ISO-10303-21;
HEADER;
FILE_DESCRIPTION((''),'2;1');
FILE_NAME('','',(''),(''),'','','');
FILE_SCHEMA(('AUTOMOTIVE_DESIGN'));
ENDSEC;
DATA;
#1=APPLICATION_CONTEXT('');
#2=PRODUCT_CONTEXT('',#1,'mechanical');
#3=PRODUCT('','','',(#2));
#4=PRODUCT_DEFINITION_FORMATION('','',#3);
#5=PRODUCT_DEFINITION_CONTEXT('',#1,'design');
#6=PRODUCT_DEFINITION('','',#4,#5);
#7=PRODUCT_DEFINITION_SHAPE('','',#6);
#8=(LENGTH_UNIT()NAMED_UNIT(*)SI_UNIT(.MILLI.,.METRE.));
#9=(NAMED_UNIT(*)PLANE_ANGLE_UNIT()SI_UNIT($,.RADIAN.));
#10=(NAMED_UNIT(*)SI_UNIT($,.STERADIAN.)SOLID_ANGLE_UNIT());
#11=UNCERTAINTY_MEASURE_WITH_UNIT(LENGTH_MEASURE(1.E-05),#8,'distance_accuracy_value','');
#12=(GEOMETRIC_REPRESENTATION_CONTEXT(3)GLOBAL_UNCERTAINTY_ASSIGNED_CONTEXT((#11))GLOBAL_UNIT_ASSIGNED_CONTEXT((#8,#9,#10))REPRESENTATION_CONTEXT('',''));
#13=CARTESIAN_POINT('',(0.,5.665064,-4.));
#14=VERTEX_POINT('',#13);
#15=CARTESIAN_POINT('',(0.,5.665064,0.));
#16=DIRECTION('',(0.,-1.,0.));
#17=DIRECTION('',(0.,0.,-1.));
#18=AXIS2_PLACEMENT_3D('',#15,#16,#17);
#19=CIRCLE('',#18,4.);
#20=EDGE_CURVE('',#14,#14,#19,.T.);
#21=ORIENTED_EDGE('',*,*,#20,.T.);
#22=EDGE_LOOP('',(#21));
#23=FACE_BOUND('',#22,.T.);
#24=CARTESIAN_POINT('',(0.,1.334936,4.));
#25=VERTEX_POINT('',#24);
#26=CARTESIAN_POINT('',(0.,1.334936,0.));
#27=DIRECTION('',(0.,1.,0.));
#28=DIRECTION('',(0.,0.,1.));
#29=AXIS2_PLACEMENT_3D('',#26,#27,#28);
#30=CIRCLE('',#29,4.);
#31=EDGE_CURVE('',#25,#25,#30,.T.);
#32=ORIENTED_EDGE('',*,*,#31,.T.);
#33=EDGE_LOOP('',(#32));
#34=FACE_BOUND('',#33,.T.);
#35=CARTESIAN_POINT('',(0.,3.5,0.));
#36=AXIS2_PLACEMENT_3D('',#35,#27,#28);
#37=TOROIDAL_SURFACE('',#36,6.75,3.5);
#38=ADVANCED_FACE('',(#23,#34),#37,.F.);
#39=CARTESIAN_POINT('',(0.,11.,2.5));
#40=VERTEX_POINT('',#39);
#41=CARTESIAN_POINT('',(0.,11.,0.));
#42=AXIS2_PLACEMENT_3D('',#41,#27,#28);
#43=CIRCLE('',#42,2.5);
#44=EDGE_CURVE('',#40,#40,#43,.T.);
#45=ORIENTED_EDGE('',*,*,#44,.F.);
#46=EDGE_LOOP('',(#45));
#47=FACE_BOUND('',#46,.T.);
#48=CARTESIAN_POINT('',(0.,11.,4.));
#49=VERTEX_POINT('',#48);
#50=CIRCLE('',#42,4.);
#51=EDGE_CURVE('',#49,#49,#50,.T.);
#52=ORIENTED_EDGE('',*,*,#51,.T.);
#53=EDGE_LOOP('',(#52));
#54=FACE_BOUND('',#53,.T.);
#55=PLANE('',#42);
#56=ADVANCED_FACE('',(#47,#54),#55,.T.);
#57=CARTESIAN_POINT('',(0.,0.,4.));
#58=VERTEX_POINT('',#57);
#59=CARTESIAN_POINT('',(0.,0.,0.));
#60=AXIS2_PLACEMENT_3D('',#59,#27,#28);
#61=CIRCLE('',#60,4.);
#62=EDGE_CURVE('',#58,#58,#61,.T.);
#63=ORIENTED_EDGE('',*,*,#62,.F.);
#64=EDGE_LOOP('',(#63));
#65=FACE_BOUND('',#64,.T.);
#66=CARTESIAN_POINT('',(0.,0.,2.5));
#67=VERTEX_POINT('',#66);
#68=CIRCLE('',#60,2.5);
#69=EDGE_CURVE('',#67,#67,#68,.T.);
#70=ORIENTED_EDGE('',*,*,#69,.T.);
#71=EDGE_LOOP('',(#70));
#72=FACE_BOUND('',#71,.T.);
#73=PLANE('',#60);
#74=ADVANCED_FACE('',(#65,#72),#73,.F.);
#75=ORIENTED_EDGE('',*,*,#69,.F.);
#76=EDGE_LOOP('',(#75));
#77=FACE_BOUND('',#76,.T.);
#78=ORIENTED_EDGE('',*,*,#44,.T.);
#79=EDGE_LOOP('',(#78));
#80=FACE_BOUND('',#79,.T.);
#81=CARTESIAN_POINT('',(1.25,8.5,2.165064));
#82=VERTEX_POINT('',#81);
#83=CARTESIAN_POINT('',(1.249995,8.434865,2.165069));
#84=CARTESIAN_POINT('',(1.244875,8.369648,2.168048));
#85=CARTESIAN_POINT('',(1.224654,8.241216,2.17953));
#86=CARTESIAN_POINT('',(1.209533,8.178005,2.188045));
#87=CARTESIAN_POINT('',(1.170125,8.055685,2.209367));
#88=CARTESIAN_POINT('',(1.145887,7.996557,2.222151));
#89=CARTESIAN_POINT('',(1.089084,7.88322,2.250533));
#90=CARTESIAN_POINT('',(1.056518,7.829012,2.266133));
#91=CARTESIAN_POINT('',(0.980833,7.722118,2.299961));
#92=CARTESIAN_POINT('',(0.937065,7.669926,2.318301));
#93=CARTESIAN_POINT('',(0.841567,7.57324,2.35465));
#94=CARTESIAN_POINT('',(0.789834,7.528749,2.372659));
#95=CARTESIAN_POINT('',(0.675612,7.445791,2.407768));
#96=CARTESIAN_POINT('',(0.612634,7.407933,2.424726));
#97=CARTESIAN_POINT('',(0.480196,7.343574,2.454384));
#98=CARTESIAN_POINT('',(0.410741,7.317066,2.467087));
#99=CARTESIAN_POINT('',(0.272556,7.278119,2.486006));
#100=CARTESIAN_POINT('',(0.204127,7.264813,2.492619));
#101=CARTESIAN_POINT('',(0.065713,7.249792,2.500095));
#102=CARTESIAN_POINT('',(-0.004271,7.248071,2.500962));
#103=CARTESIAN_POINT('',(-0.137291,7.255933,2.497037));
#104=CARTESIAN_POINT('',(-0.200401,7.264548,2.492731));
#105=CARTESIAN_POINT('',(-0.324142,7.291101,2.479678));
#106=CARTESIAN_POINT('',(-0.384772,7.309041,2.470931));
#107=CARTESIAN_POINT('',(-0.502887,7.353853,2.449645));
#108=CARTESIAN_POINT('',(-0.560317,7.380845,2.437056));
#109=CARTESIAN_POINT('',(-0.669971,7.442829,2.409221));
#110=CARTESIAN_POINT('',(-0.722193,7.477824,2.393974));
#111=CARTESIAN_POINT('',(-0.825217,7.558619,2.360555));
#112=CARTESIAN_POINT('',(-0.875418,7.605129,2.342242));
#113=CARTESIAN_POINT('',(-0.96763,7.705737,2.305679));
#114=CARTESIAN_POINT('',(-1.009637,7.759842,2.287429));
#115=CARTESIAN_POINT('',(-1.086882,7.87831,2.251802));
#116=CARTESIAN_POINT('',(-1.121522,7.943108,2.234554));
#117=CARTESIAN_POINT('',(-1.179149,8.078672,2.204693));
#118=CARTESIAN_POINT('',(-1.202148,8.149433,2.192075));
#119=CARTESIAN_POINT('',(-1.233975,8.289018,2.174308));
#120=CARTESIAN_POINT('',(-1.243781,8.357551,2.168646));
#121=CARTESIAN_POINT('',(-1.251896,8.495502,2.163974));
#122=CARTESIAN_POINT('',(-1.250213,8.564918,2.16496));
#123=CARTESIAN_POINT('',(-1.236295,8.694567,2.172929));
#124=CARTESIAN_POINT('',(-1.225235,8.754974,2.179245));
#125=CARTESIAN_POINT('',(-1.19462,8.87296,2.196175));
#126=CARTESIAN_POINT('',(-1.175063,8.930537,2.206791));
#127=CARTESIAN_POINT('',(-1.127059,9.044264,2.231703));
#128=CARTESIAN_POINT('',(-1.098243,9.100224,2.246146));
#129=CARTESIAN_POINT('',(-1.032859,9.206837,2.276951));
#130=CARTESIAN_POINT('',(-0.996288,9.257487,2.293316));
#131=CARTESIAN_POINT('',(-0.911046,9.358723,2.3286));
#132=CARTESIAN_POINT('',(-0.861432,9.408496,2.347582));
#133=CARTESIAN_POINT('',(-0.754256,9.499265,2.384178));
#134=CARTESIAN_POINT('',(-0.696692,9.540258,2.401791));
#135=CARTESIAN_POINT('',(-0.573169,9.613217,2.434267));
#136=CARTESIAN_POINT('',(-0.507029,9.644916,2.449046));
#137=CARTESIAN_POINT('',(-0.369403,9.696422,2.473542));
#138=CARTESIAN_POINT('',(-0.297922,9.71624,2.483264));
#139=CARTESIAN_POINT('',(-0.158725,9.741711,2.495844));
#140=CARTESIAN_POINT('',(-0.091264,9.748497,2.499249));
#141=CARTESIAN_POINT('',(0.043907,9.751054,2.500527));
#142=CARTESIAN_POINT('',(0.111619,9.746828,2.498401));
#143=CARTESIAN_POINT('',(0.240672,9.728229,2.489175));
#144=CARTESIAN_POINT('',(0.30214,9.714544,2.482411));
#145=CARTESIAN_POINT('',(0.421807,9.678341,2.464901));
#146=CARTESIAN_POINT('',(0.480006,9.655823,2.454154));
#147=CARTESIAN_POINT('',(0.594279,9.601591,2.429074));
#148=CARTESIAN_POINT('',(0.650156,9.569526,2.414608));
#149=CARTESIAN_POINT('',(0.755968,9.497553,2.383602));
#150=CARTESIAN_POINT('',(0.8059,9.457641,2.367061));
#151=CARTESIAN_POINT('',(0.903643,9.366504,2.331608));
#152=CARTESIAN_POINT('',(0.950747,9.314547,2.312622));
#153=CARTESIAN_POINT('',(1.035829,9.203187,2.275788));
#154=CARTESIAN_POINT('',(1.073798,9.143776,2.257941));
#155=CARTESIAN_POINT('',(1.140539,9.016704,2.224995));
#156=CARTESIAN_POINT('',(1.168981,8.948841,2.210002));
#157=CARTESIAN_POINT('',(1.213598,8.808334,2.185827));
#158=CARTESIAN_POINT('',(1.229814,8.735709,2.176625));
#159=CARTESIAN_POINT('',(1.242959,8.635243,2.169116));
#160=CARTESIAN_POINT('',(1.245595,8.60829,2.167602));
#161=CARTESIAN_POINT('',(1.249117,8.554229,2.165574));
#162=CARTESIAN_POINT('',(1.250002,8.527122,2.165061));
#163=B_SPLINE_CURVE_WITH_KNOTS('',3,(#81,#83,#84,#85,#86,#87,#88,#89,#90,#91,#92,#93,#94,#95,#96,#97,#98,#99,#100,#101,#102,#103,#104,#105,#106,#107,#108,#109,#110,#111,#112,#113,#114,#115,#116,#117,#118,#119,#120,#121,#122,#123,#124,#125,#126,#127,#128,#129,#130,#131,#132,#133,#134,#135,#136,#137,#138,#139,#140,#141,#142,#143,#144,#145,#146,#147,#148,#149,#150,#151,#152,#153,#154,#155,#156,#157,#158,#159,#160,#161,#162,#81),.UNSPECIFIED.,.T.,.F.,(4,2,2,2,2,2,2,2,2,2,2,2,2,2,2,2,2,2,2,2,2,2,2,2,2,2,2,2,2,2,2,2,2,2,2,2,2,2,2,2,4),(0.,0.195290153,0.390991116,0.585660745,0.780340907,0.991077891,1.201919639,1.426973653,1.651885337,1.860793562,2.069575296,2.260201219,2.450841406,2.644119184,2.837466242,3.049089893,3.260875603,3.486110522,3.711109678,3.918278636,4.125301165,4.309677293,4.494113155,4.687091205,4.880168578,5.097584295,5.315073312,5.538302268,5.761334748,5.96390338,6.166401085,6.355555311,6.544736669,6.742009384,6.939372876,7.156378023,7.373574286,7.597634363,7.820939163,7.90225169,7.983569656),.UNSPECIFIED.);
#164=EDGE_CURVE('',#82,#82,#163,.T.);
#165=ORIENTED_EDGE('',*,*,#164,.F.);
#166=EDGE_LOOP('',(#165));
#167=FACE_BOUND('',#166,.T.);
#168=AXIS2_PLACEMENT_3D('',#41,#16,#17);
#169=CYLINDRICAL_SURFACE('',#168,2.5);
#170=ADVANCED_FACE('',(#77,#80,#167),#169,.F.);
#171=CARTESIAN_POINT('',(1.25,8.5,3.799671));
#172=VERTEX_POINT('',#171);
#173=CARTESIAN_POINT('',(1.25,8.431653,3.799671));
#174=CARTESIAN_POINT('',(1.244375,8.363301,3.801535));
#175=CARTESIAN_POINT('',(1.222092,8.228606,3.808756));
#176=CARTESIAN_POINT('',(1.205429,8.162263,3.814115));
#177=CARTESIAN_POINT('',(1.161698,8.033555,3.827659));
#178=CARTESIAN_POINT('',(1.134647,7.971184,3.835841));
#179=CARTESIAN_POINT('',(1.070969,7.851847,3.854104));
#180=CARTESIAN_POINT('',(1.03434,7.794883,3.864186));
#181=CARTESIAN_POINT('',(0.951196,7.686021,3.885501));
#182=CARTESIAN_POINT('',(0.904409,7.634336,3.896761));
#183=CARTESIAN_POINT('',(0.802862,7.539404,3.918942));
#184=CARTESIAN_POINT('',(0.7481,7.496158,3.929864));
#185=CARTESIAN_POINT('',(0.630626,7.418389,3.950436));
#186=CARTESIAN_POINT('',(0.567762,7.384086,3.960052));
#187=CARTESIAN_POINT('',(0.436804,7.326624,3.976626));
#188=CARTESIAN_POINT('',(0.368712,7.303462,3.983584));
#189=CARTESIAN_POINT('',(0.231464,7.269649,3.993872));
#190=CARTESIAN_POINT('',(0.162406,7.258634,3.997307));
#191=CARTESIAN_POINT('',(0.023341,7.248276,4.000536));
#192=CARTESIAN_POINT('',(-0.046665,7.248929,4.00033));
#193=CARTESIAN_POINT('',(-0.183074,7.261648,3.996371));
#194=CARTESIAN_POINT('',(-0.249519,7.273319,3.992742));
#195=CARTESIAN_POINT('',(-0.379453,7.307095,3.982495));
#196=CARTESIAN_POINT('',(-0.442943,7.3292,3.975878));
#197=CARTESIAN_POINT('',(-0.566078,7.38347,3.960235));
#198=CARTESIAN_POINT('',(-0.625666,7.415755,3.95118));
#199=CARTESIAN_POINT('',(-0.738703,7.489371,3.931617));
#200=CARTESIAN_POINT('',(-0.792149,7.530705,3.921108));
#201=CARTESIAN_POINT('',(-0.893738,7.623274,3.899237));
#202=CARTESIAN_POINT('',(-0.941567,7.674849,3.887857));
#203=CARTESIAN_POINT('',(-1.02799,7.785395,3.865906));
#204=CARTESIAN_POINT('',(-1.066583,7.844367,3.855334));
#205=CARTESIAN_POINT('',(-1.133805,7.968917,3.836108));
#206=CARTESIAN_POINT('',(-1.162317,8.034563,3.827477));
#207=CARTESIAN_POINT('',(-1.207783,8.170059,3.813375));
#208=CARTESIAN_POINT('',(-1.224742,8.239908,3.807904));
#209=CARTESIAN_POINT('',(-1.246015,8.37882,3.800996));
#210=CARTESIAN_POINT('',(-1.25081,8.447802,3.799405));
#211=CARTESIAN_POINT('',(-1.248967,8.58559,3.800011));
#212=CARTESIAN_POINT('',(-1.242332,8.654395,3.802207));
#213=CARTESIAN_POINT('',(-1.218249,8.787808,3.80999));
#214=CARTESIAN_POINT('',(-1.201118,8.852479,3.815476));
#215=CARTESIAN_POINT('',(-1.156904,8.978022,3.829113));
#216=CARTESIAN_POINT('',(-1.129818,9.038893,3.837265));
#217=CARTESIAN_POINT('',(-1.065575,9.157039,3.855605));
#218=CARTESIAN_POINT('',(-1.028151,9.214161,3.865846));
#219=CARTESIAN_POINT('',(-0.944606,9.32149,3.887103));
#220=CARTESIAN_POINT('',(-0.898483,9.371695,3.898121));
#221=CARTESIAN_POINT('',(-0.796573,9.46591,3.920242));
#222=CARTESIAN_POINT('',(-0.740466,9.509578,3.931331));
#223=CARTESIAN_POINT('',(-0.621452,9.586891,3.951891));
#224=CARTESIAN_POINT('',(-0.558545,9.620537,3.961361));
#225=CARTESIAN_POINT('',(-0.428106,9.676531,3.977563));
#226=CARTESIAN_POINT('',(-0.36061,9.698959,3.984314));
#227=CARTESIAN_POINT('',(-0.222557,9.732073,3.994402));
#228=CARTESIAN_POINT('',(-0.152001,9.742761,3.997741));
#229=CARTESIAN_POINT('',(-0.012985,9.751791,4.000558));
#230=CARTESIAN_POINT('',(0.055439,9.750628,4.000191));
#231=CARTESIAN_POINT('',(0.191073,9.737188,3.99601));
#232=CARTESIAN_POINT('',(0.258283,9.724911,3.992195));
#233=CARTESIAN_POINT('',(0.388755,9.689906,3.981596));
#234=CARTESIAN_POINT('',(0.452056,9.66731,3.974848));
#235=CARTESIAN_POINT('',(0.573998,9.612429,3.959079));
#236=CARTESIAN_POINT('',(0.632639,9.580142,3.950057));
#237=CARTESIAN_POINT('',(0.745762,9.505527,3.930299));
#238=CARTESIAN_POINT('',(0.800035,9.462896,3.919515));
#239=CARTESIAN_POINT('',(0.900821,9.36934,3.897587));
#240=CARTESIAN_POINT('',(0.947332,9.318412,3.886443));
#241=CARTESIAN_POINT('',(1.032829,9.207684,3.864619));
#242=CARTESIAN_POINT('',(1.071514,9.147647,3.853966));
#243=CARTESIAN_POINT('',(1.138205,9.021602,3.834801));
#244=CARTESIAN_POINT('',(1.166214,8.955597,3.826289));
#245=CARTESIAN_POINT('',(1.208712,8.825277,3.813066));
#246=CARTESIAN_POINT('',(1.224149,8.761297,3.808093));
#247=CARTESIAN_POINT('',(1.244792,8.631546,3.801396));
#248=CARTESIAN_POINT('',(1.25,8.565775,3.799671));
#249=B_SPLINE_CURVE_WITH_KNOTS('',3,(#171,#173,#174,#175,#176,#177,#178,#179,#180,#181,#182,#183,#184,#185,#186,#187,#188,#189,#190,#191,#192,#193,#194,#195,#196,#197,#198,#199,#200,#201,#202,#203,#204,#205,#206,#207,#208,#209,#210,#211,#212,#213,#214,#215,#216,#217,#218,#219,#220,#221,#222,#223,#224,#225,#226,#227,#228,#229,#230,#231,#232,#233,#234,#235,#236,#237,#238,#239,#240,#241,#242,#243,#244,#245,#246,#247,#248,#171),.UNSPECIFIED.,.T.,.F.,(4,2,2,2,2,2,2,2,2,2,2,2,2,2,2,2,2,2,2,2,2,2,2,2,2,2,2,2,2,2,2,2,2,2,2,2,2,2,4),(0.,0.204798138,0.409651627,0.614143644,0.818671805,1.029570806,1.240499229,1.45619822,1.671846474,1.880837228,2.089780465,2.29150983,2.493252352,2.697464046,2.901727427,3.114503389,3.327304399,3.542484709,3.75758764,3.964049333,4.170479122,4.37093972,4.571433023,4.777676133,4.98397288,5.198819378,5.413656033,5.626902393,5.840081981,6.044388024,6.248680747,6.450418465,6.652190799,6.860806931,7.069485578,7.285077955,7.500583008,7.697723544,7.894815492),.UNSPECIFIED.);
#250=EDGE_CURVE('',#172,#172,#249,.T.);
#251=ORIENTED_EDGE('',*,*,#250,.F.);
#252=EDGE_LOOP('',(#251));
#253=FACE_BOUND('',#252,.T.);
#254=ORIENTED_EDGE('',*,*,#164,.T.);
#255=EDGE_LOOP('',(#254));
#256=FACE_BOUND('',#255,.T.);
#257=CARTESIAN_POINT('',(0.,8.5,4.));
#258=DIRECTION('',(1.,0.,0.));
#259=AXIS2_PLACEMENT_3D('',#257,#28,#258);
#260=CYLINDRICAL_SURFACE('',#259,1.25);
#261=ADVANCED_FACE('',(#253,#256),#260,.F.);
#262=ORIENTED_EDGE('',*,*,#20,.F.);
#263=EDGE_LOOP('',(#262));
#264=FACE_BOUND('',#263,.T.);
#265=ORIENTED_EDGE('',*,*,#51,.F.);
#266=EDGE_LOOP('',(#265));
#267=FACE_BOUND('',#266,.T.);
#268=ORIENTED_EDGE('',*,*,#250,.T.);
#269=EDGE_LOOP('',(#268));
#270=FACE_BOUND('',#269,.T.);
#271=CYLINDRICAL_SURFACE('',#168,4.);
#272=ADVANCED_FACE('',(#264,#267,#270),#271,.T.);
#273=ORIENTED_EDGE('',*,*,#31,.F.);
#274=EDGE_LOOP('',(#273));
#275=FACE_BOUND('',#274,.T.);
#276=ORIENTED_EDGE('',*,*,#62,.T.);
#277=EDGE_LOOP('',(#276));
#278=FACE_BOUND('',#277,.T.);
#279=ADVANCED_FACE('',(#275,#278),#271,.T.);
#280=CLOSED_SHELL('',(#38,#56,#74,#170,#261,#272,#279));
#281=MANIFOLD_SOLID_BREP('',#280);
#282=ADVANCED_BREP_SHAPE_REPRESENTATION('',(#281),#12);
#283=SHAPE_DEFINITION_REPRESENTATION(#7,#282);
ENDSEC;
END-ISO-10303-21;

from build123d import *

# Parameters (mm, degrees)
SKETCH1_R              = 4
SKETCH1_R_2            = 2.5
BOSS_EXTRUDE1_DEPTH    = 11
M3_TAPPED_HOLE1_REACH  = 16.177
M3_TAPPED_HOLE1_BORE_R = 1.25
SKETCH8_R              = 3.5


with BuildPart() as part:
    # Sketch1 → Boss-Extrude1 (new body)
    with BuildSketch(Plane(origin=(0, 0, 0), x_dir=(1, 0, 0), z_dir=(0, 1, 0))):
        with Locations(Location((0, 0, 0), (0, 0, 270))):
            Circle(SKETCH1_R)
        with Locations(Location((0, 0, 0), (0, 0, 270))):
            Circle(SKETCH1_R_2, mode=Mode.SUBTRACT)
    extrude(amount=BOSS_EXTRUDE1_DEPTH)

    # M3 Tapped Hole1 bore → M3 Tapped Hole1 (cut, up to next)
    with BuildSketch(Plane.XY.offset(4), mode=Mode.PRIVATE) as m3_tapped_hole1_sk1:
        with Locations((0, 8.5)):
            Circle(M3_TAPPED_HOLE1_BORE_R)
    m3_tapped_hole1_tool1 = extrude(m3_tapped_hole1_sk1.sketch, amount=-M3_TAPPED_HOLE1_REACH, mode=Mode.PRIVATE) & part.part
    add(m3_tapped_hole1_tool1.solids().sort_by_distance((0, 8.5, 4))[0], mode=Mode.SUBTRACT)

    # Sketch8 → Cut-Revolve2 (revolve, cut)
    with BuildSketch(Plane.XY, mode=Mode.PRIVATE) as cut_revolve2_sk:
        with Locations((6.75, 3.5)):
            Circle(SKETCH8_R)
    revolve(cut_revolve2_sk.sketch.rotate(Axis((0, 11, 0), (0, -1, 0)), 90), axis=Axis((0, 11, 0), (0, -1, 0)), mode=Mode.SUBTRACT)


solid = part.part
